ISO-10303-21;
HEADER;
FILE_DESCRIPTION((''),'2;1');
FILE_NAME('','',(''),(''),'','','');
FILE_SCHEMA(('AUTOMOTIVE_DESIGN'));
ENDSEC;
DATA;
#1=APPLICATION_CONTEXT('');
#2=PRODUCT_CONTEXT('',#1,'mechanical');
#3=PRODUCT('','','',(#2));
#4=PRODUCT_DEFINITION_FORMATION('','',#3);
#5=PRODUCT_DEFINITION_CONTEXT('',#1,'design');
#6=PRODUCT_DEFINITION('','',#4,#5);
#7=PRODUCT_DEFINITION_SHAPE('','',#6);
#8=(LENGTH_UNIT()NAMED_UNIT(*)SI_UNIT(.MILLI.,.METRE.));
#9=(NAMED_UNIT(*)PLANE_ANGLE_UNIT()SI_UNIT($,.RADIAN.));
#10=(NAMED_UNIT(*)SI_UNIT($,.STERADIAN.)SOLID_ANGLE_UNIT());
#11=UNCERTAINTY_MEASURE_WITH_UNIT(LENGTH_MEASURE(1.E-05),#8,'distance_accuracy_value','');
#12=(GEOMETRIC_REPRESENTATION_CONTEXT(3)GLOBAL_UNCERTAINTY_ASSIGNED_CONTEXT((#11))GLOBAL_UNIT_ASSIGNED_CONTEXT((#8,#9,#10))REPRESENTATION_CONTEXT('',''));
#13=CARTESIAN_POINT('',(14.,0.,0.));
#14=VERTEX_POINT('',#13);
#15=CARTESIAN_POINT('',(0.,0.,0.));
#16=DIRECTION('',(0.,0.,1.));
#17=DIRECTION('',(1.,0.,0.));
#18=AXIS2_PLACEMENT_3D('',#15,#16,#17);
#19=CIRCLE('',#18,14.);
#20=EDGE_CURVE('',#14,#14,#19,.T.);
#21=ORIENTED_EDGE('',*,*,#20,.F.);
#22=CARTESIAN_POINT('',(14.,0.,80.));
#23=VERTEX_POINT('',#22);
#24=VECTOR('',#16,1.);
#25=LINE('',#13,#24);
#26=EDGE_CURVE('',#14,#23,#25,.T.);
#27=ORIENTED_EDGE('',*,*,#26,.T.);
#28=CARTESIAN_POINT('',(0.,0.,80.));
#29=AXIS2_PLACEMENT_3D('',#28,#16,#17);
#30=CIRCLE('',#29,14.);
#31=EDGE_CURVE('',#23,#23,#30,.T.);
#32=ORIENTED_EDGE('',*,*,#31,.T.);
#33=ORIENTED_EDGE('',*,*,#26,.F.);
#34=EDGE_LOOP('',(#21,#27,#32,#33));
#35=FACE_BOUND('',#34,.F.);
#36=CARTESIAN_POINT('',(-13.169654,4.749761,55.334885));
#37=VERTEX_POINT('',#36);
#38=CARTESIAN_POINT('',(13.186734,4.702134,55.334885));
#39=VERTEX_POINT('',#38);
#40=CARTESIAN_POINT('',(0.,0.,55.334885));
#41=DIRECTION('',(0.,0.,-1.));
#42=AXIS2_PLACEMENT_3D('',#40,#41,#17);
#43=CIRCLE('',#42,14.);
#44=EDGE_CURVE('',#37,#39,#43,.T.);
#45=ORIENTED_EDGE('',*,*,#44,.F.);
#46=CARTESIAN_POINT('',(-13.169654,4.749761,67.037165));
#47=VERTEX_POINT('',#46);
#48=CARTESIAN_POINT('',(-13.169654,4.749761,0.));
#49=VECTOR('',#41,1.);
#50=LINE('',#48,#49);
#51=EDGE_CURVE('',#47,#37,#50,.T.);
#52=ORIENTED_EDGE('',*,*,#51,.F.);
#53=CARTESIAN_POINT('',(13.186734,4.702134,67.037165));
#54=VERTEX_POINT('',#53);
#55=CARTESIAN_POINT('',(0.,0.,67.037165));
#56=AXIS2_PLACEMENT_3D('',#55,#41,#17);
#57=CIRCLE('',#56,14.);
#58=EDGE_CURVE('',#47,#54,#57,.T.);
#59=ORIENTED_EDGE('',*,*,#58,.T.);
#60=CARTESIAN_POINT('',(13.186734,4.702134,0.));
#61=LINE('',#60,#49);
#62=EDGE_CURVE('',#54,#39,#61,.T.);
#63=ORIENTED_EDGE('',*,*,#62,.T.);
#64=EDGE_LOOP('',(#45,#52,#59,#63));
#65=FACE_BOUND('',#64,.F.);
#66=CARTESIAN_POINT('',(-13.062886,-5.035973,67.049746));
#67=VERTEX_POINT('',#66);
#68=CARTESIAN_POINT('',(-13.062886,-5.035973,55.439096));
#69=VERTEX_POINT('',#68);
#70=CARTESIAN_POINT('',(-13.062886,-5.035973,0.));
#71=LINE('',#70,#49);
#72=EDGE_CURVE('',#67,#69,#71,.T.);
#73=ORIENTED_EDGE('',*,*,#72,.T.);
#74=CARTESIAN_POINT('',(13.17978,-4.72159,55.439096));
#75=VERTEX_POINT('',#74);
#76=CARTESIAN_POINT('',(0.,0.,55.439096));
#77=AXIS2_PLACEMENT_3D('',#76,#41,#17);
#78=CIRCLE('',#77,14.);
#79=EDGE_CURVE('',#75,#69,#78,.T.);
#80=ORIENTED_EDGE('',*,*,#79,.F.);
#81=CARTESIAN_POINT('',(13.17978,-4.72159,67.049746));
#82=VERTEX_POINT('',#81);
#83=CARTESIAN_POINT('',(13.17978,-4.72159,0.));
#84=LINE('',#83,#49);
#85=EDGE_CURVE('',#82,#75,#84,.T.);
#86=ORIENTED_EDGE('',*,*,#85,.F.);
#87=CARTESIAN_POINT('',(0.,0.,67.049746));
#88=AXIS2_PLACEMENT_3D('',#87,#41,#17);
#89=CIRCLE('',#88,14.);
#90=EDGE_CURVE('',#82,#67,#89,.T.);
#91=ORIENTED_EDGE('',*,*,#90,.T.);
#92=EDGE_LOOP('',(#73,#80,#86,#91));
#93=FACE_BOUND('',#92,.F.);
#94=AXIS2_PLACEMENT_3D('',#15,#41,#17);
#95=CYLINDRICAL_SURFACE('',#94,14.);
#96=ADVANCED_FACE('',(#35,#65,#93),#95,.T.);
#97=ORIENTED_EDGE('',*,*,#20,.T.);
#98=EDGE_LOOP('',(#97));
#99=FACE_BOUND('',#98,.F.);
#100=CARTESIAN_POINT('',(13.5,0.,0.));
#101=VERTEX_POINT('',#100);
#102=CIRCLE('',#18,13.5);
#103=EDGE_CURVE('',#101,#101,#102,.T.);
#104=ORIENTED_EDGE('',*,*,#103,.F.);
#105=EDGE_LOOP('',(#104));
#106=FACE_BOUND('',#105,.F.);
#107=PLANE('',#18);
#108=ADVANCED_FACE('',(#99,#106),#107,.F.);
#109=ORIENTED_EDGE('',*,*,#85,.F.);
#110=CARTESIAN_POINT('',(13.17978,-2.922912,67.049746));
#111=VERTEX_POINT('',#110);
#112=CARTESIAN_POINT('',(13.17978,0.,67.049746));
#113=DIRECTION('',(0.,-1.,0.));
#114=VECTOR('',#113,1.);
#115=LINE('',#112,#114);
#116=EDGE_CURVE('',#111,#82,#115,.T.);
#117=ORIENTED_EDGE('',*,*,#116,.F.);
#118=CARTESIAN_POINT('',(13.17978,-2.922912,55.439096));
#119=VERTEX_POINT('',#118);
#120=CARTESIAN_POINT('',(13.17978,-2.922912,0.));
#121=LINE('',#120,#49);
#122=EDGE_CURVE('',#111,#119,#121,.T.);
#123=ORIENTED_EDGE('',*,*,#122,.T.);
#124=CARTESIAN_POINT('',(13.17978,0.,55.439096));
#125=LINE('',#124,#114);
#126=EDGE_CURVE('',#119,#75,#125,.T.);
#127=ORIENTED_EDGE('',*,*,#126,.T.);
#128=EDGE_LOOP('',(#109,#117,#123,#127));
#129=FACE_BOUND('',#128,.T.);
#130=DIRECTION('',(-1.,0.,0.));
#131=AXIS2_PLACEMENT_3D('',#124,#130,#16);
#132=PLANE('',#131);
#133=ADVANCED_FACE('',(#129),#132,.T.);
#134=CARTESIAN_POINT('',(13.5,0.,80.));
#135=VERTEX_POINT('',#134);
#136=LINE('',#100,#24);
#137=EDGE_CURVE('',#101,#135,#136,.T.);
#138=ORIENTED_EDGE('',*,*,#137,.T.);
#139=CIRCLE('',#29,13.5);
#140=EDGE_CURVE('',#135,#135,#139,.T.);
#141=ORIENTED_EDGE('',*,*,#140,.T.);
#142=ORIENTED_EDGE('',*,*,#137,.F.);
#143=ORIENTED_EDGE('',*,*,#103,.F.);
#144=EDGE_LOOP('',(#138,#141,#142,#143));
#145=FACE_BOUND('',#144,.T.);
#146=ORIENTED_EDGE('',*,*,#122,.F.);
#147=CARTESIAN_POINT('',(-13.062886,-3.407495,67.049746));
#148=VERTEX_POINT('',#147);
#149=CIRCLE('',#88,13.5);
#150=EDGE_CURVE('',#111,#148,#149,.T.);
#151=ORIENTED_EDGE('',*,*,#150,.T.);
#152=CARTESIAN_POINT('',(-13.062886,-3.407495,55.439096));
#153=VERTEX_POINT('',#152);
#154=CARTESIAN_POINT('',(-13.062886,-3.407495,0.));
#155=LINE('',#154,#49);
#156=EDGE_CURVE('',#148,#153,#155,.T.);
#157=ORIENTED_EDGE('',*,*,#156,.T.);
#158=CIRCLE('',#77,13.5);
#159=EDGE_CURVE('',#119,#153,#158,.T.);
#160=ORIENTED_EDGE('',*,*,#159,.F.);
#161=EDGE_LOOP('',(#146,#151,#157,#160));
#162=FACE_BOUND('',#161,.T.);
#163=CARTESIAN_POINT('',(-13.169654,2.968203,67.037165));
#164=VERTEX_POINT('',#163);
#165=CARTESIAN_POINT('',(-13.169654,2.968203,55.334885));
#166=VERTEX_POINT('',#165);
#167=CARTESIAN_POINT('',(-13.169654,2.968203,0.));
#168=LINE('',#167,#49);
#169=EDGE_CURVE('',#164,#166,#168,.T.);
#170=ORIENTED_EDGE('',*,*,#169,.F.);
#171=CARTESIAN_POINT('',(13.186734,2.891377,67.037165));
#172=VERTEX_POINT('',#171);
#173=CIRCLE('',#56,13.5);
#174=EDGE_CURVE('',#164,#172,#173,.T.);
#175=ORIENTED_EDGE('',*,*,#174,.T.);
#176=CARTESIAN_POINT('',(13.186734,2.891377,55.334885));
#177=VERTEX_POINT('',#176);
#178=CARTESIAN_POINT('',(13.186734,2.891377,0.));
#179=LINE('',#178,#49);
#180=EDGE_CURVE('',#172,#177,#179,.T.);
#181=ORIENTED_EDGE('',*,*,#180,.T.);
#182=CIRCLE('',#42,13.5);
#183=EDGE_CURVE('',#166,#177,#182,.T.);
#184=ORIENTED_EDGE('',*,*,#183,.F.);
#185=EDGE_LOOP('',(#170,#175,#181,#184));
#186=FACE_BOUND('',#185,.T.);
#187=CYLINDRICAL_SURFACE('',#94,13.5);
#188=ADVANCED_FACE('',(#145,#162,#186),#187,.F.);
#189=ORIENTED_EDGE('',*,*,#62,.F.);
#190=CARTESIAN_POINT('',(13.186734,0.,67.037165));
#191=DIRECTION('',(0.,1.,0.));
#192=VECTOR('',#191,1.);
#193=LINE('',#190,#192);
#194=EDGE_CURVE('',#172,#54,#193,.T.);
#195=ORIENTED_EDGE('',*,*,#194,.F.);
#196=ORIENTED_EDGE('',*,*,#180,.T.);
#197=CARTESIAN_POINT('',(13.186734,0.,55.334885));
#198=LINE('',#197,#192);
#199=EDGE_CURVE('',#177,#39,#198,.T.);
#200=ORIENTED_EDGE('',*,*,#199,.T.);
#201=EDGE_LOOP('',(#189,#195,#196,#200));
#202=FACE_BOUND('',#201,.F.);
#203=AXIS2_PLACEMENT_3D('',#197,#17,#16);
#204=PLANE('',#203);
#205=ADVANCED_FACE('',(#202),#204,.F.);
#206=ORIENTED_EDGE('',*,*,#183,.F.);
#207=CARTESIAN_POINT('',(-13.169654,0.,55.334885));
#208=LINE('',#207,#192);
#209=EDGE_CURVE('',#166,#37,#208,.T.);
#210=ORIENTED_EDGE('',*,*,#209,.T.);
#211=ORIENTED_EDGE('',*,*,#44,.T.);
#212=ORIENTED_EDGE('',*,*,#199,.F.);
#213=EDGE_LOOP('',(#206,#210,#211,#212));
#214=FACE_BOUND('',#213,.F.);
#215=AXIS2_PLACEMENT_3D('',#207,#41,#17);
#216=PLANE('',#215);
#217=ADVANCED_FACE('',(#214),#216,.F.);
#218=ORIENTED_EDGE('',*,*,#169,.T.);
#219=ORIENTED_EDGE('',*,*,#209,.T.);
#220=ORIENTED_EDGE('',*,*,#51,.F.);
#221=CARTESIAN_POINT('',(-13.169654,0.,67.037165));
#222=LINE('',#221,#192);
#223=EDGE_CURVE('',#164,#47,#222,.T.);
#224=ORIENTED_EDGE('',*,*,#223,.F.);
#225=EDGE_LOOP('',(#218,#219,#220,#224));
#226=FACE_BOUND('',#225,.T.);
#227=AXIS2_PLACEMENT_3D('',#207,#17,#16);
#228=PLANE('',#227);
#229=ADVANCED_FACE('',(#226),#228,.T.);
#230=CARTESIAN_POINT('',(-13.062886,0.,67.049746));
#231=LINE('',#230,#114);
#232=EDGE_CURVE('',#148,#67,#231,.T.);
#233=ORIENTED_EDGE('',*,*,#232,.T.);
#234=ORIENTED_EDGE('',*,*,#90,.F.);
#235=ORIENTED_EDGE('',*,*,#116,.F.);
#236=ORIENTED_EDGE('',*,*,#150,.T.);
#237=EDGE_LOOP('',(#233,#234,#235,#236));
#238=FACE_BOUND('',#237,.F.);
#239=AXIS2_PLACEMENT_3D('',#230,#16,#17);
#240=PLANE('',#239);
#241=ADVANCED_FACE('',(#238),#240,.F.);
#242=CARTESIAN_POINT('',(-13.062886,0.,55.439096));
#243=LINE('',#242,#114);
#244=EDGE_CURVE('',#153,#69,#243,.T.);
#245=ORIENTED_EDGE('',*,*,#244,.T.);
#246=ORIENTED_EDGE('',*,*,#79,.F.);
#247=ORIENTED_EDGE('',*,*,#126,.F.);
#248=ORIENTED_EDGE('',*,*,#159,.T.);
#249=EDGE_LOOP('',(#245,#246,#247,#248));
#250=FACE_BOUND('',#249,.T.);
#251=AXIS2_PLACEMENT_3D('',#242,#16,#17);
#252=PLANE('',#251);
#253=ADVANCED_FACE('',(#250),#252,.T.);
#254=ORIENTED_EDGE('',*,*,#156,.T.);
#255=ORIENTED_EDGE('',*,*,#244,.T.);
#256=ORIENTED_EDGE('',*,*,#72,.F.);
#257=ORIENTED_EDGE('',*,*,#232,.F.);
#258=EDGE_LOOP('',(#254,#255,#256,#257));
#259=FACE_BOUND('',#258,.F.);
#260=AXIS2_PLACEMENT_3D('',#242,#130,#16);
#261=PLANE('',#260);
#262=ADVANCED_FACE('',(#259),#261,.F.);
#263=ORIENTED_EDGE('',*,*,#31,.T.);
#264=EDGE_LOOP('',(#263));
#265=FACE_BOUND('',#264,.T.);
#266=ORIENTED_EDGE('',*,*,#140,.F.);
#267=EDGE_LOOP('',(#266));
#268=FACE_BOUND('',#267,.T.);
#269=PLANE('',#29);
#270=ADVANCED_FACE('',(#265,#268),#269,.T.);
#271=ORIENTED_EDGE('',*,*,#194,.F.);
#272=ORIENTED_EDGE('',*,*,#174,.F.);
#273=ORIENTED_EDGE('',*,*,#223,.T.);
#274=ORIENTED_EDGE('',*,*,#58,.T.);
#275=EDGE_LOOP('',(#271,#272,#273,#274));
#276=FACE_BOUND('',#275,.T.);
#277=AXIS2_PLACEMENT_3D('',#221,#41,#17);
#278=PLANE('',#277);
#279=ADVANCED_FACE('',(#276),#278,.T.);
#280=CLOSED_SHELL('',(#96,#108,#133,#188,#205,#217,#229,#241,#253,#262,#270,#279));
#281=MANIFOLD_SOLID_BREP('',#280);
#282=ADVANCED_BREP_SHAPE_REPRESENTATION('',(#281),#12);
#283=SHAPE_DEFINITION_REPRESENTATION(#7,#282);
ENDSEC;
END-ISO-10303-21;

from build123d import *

# Parameters (mm, degrees)
F0_R     = 14
F0_R_2   = 13.5
F1_DEPTH = 80
F2_W     = 26.356387
F2_H     = 11.70228
F3_DEPTH = 25.4
F4_W     = 26.242665
F4_H     = 11.610649
F5_DEPTH = 25.4


with BuildPart() as f1:
    # F0 (on Top) → F1 (new body)
    with BuildSketch(Plane.XY):
        Circle(F0_R)
        Circle(F0_R_2, mode=Mode.SUBTRACT)
    extrude(amount=F1_DEPTH)

    # F2 (on Front) → F3 (cut)
    with BuildSketch(Plane.XZ):
        with Locations((0.00854, 61.186025)):
            Rectangle(F2_W, F2_H)
    extrude(amount=-F3_DEPTH, mode=Mode.SUBTRACT)

    # F4 (on Front) → F5 (cut)
    with BuildSketch(Plane.XZ):
        with Locations((0.058447, 61.244421)):
            Rectangle(F4_W, F4_H)
    extrude(amount=F5_DEPTH, mode=Mode.SUBTRACT)


solid = f1.part
